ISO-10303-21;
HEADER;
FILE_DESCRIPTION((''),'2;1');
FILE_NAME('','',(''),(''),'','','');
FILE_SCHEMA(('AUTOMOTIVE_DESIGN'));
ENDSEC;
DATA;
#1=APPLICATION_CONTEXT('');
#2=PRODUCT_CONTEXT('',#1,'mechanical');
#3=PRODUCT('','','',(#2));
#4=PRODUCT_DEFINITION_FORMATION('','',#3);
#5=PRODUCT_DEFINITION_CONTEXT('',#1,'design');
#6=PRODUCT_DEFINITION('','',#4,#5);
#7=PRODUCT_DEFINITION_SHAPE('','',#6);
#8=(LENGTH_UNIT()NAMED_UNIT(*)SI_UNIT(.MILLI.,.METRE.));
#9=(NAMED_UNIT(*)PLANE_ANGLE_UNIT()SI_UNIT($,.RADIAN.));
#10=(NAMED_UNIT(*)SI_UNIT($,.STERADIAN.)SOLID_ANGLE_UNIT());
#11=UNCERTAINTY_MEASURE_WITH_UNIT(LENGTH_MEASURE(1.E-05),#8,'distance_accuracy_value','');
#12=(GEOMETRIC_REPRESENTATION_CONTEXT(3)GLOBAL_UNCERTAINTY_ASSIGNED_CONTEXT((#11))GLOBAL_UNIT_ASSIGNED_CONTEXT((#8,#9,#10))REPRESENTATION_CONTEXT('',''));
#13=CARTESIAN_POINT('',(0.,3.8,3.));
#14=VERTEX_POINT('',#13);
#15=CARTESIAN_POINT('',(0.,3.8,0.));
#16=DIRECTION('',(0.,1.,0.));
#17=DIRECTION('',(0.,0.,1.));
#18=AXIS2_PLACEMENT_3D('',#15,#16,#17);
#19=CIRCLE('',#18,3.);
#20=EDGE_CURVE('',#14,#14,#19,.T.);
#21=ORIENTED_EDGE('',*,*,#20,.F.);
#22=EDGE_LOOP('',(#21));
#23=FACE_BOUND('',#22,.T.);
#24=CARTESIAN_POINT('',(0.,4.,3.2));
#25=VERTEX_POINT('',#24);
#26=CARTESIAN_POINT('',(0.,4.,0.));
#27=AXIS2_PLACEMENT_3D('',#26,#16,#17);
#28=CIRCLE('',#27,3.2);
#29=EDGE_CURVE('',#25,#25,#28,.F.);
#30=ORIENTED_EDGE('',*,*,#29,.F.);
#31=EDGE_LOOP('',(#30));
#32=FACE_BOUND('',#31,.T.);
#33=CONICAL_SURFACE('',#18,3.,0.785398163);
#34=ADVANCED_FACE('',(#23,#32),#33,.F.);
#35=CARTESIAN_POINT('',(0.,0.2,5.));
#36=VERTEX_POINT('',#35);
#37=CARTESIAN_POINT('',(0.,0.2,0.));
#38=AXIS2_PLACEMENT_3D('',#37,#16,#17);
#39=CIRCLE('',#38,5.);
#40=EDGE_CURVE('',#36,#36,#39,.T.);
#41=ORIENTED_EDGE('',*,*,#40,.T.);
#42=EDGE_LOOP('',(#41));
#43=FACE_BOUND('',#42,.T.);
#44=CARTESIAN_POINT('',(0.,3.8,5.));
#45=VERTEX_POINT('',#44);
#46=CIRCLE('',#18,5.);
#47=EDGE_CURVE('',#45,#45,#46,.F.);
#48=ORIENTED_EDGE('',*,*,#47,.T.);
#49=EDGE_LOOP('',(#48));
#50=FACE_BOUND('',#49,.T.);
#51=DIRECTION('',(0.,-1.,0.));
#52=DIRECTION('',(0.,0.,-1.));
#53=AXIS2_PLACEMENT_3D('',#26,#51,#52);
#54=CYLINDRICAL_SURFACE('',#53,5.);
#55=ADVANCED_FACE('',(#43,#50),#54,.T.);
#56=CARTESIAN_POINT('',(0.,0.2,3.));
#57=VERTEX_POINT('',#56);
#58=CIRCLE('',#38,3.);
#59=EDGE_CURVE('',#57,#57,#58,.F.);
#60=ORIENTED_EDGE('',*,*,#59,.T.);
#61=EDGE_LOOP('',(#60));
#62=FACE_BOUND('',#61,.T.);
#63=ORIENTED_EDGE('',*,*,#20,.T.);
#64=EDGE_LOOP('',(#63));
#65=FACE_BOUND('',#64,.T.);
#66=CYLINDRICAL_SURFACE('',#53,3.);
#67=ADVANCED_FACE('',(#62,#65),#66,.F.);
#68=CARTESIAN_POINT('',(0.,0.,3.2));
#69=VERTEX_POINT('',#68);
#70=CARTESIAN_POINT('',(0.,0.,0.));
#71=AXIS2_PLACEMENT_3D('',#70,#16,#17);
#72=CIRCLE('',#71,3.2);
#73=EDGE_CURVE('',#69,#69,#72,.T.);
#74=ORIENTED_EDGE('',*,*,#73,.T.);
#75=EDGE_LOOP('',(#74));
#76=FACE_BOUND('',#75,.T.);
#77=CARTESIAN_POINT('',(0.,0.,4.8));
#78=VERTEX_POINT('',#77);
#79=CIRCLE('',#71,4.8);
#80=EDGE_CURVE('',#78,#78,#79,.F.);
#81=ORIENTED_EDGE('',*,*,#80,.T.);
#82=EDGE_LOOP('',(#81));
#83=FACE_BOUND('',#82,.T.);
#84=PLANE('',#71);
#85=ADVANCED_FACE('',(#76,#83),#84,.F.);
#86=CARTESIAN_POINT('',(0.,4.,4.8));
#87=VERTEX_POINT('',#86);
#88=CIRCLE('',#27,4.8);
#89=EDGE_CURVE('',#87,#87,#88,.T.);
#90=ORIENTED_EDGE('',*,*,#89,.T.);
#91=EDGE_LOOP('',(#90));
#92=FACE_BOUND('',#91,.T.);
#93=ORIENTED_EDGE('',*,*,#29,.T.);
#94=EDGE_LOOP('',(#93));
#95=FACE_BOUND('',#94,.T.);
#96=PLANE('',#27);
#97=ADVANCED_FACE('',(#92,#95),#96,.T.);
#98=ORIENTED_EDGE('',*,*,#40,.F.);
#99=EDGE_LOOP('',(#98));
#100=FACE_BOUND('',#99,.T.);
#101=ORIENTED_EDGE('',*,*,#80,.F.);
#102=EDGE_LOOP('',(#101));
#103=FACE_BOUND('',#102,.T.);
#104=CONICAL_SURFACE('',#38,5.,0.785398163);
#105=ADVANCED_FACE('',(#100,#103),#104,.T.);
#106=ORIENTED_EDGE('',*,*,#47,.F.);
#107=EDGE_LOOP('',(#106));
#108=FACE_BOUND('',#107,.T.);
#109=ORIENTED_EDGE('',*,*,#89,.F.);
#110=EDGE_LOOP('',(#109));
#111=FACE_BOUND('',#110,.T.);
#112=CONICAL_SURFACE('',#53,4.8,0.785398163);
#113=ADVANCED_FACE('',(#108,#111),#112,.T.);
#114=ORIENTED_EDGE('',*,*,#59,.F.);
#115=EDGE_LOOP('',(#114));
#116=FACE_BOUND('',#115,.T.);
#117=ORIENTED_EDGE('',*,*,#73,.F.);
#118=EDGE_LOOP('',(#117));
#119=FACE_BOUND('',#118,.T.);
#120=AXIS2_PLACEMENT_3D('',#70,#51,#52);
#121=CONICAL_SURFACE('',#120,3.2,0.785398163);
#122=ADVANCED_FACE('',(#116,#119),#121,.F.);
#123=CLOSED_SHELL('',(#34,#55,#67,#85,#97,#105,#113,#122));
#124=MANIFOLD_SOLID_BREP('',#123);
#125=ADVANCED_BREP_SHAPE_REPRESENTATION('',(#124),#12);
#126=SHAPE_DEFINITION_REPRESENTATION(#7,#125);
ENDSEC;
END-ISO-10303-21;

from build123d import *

# Parameters (mm, degrees)
SKETCH_1_R      = 5
SKETCH_1_R_2    = 3
EXTRUDE_1_DEPTH = 4
CHAMFER_1_SIZE  = 0.2


with BuildPart() as part:
    # 草图1 → 凸台-拉伸1 (new body)
    with BuildSketch(Plane(origin=(0, 0, 0), x_dir=(1, 0, 0), z_dir=(0, 1, 0))):
        with Locations(Location((0, 0, 0), (0, 0, 270))):
            Circle(SKETCH_1_R)
        with Locations(Location((0, 0, 0), (0, 0, 270))):
            Circle(SKETCH_1_R_2, mode=Mode.SUBTRACT)
    extrude(amount=EXTRUDE_1_DEPTH)

    # 倒角1
    chamfer_1_edges = [part.edges().sort_by_distance(p)[0] for p in [
        (0, 4, -5),
        (0, 0, -5),
        (0, 0, -3),
        (0, 4, -3),
    ]]
    chamfer(chamfer_1_edges, length=CHAMFER_1_SIZE)


solid = part.part
